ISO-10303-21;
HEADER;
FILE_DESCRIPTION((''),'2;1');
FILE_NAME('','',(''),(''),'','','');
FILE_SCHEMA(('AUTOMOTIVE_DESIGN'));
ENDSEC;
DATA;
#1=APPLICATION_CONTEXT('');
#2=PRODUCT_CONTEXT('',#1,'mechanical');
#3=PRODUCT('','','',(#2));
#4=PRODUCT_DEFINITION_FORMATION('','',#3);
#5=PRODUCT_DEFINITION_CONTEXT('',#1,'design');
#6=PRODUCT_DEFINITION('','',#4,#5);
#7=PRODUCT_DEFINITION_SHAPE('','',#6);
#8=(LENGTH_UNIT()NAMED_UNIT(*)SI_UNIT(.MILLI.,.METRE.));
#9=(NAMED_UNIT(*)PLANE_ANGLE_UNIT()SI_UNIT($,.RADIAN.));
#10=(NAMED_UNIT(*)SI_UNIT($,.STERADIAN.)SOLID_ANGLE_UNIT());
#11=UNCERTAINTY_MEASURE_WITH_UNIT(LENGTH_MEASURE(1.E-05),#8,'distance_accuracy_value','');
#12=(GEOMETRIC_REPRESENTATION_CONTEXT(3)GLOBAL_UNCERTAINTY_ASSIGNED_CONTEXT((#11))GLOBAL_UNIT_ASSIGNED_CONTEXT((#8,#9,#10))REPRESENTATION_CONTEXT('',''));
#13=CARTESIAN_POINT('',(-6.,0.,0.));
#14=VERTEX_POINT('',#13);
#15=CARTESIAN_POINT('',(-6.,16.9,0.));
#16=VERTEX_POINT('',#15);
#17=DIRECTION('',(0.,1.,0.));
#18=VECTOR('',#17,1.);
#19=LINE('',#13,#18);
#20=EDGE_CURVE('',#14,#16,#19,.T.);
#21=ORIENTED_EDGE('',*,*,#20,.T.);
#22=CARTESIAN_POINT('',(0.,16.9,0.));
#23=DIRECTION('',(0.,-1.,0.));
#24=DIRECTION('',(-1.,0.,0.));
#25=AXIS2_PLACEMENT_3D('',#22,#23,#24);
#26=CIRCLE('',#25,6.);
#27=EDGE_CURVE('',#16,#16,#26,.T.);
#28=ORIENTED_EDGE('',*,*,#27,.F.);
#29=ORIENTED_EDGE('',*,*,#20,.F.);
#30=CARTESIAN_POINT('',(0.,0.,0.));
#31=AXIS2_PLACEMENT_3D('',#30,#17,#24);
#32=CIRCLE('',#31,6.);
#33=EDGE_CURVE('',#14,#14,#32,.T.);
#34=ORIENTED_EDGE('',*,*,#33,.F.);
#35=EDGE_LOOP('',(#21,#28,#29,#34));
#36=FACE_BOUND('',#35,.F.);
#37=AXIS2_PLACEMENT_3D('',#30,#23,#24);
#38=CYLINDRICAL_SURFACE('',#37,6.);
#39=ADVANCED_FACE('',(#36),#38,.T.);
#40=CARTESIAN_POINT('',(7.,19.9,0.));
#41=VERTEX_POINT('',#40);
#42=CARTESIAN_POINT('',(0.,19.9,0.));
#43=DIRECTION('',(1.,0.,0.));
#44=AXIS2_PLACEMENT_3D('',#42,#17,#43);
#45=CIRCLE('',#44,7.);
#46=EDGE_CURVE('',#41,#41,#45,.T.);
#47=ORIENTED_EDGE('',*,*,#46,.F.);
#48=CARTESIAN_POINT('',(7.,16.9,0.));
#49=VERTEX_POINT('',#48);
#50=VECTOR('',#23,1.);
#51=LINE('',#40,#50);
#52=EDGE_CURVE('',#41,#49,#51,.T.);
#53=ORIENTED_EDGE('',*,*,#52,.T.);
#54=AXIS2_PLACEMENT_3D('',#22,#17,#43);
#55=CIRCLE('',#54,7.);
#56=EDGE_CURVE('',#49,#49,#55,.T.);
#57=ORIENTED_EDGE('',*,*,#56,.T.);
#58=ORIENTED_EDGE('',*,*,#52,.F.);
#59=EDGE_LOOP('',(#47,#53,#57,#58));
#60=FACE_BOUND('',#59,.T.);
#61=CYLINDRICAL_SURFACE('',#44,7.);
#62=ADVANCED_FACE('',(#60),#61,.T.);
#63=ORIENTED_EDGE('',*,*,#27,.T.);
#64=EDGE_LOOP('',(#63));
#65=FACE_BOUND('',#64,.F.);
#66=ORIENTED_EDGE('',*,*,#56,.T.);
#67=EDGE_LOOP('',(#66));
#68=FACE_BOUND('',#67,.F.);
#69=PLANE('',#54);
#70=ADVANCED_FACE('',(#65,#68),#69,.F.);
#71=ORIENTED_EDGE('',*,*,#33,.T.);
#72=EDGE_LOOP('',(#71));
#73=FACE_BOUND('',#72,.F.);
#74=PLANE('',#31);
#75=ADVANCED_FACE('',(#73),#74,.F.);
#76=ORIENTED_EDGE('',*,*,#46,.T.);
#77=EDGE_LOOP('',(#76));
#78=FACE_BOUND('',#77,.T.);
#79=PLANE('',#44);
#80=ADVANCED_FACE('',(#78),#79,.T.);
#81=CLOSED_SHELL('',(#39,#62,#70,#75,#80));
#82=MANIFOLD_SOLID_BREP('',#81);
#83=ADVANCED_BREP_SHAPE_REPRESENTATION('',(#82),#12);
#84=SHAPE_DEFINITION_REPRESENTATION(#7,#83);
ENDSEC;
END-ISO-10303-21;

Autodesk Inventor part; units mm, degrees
ref_plane "YZ Plane" through (0, 0, 0) normal (1, 0, 0) x (0, 1, 0)
ref_plane "XZ Plane" through (0, 0, 0) normal (0, 1, 0) x (-1, 0, 0)
ref_plane "XY Plane" through (0, 0, 0) normal (0, 0, 1) x (1, 0, 0)
sketch "Sketch1" plane through (0, 0, 0) normal (0, 1, 0) x (-1, 0, 0)
  circle A0 centre (0, 0) radius 6
  dimension "d0" = 12
extrude "Extrusion1" add sketch "Sketch1" along normal blind 19.9
sketch "Sketch2" plane through (0, 19.9, 0) normal (0, 1, 0) x (1, 0, 0)
  circle A0 centre (0, 0) radius 6 projected
  circle A1 centre (0, 0) radius 6 projected
  circle A2 centre (0, 0) radius 7
  dimension "d3" = 14
extrude "Extrusion2" add sketch "Sketch2" against normal blind 3 contours A0 | A2
properties part number "00_CCTV_lens_M12_25mm_5mp"
